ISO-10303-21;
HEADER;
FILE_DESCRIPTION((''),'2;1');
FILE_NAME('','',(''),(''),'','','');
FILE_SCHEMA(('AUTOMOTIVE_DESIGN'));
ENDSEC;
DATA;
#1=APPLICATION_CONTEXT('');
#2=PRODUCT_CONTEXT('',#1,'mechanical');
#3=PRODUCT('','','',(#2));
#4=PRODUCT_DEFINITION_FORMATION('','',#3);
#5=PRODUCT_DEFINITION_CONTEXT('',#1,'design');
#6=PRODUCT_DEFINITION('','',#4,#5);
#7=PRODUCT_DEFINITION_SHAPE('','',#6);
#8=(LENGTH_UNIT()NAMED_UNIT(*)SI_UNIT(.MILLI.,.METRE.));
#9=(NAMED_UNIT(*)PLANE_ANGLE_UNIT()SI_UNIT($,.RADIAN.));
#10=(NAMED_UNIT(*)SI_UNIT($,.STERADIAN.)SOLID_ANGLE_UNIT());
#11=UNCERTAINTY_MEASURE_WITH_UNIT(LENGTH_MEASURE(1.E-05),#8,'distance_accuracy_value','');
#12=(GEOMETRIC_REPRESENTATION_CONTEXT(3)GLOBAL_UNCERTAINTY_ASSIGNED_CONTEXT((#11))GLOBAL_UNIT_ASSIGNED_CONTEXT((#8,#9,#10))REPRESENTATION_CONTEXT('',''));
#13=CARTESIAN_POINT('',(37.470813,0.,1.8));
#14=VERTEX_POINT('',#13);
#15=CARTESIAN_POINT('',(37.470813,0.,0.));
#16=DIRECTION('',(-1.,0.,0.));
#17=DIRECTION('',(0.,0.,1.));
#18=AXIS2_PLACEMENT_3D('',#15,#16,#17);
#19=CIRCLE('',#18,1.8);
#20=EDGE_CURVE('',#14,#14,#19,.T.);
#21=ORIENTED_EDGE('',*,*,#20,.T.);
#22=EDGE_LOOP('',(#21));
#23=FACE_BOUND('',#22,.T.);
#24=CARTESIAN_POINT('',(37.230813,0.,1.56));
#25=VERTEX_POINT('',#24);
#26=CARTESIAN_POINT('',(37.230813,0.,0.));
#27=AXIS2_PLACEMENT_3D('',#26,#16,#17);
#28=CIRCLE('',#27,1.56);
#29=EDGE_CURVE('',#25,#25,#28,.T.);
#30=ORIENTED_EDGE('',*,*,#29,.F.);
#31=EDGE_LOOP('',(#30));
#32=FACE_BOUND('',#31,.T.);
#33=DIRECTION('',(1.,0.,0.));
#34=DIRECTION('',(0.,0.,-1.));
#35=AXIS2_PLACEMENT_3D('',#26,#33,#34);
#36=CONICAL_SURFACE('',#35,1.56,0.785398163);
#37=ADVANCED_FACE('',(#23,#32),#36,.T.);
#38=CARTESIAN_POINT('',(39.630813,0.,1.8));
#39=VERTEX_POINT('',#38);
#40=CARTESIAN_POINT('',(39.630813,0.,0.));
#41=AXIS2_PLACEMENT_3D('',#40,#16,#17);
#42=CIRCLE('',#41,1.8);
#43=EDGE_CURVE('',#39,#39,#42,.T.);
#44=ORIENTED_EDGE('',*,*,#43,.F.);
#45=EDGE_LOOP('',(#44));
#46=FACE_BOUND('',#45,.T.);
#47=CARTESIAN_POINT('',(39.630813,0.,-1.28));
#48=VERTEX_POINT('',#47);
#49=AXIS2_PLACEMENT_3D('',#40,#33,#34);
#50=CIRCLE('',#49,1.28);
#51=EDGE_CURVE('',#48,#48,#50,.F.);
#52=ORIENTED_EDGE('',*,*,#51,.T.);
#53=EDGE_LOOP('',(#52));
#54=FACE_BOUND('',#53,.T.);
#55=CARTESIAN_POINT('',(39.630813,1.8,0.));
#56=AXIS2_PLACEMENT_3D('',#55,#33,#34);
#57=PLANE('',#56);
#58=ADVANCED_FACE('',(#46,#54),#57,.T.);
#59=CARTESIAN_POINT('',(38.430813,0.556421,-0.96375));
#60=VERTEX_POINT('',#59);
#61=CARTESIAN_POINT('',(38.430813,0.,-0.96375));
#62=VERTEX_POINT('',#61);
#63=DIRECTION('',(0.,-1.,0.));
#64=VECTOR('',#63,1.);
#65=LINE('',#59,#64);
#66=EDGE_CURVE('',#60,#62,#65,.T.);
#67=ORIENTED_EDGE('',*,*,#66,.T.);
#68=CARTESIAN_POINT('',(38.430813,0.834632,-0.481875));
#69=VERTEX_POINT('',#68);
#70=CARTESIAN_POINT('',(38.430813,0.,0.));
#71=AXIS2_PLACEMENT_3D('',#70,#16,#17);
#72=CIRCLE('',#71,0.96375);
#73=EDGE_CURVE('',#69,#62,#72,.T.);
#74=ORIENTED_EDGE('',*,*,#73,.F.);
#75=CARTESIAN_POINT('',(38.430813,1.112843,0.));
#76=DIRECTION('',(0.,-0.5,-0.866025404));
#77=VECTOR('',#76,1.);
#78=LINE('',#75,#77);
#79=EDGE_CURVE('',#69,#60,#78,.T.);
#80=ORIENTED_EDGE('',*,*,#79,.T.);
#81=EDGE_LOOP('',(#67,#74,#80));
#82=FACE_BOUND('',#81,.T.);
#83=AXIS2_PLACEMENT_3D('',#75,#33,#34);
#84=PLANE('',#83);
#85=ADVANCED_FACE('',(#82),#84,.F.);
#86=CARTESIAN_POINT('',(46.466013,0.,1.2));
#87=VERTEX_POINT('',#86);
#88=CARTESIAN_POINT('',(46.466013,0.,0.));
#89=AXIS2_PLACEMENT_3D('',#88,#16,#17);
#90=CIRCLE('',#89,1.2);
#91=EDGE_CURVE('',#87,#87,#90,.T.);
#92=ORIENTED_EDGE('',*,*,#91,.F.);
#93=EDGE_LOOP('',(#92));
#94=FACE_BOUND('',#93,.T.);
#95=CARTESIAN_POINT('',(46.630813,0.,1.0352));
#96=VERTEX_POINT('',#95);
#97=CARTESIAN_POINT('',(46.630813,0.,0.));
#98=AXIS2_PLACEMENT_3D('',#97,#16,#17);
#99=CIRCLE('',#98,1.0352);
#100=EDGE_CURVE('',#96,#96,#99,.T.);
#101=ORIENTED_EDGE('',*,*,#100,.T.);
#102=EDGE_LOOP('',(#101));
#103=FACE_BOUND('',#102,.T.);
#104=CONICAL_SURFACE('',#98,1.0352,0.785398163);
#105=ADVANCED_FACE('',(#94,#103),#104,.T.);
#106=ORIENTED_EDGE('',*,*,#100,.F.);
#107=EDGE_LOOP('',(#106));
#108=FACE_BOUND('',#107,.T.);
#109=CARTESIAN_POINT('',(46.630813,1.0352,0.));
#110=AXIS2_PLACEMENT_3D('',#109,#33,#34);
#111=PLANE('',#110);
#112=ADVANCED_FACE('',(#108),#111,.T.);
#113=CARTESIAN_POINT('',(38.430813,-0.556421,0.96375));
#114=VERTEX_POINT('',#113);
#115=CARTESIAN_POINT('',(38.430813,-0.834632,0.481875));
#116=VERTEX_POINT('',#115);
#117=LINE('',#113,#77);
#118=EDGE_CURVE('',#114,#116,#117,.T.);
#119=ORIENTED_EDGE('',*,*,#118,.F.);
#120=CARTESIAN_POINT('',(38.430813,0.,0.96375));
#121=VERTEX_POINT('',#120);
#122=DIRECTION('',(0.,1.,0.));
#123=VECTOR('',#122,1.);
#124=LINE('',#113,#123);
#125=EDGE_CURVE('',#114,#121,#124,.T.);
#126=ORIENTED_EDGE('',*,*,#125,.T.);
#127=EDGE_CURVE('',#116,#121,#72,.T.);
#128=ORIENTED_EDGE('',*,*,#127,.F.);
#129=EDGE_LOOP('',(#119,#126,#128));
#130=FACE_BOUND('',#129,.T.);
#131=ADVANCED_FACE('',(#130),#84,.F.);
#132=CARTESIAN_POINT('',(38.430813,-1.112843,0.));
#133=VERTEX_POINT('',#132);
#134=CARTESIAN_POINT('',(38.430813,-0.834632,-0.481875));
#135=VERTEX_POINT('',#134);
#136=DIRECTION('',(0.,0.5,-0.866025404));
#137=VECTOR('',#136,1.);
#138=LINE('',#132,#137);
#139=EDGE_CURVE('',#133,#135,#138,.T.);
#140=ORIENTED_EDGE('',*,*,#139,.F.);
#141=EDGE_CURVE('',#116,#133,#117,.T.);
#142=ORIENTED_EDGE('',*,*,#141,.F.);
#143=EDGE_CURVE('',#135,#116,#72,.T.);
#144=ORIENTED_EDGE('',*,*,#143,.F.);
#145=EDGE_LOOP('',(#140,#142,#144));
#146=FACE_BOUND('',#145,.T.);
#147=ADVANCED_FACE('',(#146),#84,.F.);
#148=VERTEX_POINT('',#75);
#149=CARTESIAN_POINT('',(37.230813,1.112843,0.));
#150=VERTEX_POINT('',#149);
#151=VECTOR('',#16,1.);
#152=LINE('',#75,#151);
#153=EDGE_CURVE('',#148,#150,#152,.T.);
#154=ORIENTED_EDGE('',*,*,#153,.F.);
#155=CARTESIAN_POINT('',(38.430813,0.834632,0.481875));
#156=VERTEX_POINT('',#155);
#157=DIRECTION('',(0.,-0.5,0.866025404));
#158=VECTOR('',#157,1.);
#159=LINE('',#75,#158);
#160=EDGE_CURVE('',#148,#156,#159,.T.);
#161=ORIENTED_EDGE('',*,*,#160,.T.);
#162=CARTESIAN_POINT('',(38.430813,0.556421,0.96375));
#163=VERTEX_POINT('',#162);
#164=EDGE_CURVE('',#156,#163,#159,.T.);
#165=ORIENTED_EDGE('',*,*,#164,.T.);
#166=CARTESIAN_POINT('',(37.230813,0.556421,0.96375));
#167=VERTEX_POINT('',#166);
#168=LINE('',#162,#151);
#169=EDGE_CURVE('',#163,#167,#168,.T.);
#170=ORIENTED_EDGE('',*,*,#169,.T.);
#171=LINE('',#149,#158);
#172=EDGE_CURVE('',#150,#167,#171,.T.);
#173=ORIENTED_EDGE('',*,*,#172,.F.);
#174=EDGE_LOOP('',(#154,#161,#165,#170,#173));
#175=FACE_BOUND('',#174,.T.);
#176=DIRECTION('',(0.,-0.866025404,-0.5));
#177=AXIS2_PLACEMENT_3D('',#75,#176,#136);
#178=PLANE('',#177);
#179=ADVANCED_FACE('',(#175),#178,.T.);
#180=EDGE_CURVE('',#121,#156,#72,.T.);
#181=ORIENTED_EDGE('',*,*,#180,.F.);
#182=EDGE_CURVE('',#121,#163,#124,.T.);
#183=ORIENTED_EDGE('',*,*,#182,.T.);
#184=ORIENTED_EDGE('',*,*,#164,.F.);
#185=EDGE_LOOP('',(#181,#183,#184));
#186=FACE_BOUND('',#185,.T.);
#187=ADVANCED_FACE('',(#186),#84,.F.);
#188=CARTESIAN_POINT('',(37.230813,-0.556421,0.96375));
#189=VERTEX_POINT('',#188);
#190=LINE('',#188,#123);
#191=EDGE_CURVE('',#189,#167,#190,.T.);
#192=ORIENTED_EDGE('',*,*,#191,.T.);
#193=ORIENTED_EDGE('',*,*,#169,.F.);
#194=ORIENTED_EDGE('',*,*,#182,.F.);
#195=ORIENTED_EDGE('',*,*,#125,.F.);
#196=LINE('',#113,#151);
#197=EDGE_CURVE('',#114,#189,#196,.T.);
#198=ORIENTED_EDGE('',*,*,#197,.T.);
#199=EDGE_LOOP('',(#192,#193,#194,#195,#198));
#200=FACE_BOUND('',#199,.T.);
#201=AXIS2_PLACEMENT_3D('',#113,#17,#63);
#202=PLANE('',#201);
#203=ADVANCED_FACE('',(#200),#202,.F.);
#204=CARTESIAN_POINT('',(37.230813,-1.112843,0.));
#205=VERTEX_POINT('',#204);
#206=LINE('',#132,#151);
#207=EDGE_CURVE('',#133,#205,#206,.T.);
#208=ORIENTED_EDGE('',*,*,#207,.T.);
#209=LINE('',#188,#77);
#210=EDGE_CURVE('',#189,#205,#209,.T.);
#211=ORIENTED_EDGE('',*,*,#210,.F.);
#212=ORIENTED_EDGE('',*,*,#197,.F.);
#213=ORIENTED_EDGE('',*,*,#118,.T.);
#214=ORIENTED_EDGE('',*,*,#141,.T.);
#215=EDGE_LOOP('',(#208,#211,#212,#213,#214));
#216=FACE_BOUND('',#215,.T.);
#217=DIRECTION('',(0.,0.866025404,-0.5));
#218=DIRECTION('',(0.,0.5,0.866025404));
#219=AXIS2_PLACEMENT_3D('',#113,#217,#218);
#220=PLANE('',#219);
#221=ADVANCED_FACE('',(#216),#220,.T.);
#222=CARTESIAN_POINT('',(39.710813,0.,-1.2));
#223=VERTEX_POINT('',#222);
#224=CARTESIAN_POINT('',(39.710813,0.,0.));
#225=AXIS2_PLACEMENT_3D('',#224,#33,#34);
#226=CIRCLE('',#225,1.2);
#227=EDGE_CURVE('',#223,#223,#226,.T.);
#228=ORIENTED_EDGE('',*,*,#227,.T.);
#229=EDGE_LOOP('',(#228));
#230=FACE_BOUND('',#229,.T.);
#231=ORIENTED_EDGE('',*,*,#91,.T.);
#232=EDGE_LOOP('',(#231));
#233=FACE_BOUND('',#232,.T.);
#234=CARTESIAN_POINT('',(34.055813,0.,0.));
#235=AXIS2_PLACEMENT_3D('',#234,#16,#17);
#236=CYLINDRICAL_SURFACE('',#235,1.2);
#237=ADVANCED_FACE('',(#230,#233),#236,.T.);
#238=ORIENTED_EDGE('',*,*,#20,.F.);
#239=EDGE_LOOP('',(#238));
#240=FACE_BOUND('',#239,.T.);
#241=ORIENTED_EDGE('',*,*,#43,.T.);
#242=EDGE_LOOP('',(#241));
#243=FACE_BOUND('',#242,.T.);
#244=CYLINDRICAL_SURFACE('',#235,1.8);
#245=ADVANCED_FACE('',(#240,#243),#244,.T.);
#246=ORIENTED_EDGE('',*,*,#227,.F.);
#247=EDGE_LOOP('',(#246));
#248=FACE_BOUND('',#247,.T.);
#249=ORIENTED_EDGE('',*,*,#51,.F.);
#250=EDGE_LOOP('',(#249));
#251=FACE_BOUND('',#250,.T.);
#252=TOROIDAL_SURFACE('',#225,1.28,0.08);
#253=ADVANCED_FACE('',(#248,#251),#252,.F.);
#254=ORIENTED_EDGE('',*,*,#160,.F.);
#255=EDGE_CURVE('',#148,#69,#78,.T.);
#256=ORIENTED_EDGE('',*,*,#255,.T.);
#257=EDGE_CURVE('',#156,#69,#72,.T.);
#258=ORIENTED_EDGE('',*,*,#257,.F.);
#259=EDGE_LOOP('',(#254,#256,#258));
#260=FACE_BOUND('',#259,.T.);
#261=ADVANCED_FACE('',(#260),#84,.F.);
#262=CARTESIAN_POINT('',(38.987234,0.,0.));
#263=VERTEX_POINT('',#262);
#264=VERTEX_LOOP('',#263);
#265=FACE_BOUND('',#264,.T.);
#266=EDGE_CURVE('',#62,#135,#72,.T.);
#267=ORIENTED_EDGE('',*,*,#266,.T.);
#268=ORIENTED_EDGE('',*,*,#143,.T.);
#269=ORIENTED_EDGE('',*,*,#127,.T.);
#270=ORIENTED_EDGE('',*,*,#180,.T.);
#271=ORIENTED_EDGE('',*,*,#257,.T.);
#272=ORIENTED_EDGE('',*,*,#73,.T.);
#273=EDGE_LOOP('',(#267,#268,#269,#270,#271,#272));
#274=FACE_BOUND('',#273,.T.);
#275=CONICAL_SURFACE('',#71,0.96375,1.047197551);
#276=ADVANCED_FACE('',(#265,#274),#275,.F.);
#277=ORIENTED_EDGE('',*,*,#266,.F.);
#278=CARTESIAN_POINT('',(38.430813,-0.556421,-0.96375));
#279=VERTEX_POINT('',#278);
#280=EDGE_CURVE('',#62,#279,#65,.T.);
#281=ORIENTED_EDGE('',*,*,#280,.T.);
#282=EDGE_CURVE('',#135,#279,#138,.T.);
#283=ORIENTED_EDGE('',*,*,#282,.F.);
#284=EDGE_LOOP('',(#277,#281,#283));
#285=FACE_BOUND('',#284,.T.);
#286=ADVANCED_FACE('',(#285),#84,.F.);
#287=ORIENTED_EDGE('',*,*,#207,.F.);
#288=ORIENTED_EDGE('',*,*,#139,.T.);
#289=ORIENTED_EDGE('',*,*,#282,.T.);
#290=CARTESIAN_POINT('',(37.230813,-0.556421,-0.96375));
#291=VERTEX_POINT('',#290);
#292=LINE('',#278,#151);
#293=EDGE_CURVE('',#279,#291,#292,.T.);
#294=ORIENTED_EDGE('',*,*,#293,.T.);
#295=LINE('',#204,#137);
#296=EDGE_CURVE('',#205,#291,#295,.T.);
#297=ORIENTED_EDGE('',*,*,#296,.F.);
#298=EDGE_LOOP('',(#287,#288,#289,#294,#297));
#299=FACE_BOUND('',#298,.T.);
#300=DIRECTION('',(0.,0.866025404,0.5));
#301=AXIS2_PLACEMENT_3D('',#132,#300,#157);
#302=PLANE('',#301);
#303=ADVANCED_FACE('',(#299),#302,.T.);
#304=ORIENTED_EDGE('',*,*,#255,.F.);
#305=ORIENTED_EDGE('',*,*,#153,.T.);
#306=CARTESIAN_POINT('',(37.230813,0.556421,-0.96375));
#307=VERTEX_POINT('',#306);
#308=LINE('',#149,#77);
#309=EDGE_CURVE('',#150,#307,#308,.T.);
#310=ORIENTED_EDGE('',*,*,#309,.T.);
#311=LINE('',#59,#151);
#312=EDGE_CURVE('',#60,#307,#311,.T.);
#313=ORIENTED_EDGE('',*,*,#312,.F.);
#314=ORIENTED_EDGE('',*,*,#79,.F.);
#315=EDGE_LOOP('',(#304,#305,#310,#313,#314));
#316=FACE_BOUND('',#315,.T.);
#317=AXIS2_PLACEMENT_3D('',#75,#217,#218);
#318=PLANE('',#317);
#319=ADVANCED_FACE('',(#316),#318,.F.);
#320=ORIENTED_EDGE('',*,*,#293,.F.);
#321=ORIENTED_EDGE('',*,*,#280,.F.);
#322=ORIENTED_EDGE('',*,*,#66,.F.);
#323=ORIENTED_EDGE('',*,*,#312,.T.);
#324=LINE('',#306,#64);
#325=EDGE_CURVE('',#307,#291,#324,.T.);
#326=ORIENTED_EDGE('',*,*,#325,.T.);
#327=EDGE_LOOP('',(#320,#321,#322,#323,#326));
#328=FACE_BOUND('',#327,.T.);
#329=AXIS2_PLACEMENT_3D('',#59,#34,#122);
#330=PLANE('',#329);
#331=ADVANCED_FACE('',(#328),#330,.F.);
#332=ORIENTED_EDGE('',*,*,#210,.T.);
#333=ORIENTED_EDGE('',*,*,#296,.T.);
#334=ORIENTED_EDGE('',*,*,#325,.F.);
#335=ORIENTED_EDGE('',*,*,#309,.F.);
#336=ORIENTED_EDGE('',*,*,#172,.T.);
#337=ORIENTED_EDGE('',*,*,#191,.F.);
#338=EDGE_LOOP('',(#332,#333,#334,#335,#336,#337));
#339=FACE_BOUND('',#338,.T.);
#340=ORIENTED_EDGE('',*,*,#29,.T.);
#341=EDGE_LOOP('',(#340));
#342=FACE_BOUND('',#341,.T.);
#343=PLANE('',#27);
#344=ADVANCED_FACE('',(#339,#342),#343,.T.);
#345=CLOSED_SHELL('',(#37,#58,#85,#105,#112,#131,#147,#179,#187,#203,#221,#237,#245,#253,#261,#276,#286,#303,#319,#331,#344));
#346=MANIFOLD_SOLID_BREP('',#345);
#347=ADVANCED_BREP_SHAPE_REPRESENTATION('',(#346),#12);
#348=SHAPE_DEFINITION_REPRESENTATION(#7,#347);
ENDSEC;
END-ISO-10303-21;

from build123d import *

# Parameters (mm, degrees)
FILLET1_R    = 0.8
HEX_2_DEPTH  = 12
SCALE1_SCALE = 0.1


with BuildPart() as part:
    # BodySke → Base-Revolve (revolve)
    with BuildSketch(Plane.XY, mode=Mode.PRIVATE) as base_revolve_sk:
        Polygon((0, 0), (0, 15.6), (2.4, 18), (24, 18), (24, 12), (92.352, 12), (94, 10.352), (94, 0), align=None)
    revolve(base_revolve_sk.sketch.rotate(Axis((-31.75, 0, 0), (1, 0, 0)), 90), axis=Axis((-31.75, 0, 0), (1, 0, 0)))

    # Fillet1
    fillet1_edges = [part.edges().sort_by_distance(p)[0] for p in [
        (24, 0, -12),
    ]]
    fillet(fillet1_edges, radius=FILLET1_R)

    # Sketch2 → Hex-PreBroach (revolve, cut)
    with BuildSketch(Plane.XY, mode=Mode.PRIVATE) as hex_prebroach_sk:
        Polygon((0, 9.6375), (12, 9.6375), (17.564213219, 0), (0, 0), align=None)
    revolve(hex_prebroach_sk.sketch.rotate(Axis((0, 0, 0), (1, 0, 0)), 90), axis=Axis((0, 0, 0), (1, 0, 0)), mode=Mode.SUBTRACT)

    # Sketch3 → Hex 2 (cut)
    with BuildSketch(Plane(origin=(0, 0, 0), x_dir=(0, 0.500000000000001, 0.866025403784438), z_dir=(-1, 0, 0))):
        Polygon((5.564213219, 9.6375), (-5.564213219, 9.6375), (-11.128426439, 0), (-5.564213219, -9.6375), (5.564213219, -9.6375), (11.128426439, 0), align=None)
    extrude(amount=-HEX_2_DEPTH, mode=Mode.SUBTRACT)


with BuildPart() as part_1:
    # Scale1: scaled about (41.367569692, 0, 0)
    add(part.part.scale(SCALE1_SCALE).moved(Location((37.230812723, 0, 0))))


solid = part_1.part
